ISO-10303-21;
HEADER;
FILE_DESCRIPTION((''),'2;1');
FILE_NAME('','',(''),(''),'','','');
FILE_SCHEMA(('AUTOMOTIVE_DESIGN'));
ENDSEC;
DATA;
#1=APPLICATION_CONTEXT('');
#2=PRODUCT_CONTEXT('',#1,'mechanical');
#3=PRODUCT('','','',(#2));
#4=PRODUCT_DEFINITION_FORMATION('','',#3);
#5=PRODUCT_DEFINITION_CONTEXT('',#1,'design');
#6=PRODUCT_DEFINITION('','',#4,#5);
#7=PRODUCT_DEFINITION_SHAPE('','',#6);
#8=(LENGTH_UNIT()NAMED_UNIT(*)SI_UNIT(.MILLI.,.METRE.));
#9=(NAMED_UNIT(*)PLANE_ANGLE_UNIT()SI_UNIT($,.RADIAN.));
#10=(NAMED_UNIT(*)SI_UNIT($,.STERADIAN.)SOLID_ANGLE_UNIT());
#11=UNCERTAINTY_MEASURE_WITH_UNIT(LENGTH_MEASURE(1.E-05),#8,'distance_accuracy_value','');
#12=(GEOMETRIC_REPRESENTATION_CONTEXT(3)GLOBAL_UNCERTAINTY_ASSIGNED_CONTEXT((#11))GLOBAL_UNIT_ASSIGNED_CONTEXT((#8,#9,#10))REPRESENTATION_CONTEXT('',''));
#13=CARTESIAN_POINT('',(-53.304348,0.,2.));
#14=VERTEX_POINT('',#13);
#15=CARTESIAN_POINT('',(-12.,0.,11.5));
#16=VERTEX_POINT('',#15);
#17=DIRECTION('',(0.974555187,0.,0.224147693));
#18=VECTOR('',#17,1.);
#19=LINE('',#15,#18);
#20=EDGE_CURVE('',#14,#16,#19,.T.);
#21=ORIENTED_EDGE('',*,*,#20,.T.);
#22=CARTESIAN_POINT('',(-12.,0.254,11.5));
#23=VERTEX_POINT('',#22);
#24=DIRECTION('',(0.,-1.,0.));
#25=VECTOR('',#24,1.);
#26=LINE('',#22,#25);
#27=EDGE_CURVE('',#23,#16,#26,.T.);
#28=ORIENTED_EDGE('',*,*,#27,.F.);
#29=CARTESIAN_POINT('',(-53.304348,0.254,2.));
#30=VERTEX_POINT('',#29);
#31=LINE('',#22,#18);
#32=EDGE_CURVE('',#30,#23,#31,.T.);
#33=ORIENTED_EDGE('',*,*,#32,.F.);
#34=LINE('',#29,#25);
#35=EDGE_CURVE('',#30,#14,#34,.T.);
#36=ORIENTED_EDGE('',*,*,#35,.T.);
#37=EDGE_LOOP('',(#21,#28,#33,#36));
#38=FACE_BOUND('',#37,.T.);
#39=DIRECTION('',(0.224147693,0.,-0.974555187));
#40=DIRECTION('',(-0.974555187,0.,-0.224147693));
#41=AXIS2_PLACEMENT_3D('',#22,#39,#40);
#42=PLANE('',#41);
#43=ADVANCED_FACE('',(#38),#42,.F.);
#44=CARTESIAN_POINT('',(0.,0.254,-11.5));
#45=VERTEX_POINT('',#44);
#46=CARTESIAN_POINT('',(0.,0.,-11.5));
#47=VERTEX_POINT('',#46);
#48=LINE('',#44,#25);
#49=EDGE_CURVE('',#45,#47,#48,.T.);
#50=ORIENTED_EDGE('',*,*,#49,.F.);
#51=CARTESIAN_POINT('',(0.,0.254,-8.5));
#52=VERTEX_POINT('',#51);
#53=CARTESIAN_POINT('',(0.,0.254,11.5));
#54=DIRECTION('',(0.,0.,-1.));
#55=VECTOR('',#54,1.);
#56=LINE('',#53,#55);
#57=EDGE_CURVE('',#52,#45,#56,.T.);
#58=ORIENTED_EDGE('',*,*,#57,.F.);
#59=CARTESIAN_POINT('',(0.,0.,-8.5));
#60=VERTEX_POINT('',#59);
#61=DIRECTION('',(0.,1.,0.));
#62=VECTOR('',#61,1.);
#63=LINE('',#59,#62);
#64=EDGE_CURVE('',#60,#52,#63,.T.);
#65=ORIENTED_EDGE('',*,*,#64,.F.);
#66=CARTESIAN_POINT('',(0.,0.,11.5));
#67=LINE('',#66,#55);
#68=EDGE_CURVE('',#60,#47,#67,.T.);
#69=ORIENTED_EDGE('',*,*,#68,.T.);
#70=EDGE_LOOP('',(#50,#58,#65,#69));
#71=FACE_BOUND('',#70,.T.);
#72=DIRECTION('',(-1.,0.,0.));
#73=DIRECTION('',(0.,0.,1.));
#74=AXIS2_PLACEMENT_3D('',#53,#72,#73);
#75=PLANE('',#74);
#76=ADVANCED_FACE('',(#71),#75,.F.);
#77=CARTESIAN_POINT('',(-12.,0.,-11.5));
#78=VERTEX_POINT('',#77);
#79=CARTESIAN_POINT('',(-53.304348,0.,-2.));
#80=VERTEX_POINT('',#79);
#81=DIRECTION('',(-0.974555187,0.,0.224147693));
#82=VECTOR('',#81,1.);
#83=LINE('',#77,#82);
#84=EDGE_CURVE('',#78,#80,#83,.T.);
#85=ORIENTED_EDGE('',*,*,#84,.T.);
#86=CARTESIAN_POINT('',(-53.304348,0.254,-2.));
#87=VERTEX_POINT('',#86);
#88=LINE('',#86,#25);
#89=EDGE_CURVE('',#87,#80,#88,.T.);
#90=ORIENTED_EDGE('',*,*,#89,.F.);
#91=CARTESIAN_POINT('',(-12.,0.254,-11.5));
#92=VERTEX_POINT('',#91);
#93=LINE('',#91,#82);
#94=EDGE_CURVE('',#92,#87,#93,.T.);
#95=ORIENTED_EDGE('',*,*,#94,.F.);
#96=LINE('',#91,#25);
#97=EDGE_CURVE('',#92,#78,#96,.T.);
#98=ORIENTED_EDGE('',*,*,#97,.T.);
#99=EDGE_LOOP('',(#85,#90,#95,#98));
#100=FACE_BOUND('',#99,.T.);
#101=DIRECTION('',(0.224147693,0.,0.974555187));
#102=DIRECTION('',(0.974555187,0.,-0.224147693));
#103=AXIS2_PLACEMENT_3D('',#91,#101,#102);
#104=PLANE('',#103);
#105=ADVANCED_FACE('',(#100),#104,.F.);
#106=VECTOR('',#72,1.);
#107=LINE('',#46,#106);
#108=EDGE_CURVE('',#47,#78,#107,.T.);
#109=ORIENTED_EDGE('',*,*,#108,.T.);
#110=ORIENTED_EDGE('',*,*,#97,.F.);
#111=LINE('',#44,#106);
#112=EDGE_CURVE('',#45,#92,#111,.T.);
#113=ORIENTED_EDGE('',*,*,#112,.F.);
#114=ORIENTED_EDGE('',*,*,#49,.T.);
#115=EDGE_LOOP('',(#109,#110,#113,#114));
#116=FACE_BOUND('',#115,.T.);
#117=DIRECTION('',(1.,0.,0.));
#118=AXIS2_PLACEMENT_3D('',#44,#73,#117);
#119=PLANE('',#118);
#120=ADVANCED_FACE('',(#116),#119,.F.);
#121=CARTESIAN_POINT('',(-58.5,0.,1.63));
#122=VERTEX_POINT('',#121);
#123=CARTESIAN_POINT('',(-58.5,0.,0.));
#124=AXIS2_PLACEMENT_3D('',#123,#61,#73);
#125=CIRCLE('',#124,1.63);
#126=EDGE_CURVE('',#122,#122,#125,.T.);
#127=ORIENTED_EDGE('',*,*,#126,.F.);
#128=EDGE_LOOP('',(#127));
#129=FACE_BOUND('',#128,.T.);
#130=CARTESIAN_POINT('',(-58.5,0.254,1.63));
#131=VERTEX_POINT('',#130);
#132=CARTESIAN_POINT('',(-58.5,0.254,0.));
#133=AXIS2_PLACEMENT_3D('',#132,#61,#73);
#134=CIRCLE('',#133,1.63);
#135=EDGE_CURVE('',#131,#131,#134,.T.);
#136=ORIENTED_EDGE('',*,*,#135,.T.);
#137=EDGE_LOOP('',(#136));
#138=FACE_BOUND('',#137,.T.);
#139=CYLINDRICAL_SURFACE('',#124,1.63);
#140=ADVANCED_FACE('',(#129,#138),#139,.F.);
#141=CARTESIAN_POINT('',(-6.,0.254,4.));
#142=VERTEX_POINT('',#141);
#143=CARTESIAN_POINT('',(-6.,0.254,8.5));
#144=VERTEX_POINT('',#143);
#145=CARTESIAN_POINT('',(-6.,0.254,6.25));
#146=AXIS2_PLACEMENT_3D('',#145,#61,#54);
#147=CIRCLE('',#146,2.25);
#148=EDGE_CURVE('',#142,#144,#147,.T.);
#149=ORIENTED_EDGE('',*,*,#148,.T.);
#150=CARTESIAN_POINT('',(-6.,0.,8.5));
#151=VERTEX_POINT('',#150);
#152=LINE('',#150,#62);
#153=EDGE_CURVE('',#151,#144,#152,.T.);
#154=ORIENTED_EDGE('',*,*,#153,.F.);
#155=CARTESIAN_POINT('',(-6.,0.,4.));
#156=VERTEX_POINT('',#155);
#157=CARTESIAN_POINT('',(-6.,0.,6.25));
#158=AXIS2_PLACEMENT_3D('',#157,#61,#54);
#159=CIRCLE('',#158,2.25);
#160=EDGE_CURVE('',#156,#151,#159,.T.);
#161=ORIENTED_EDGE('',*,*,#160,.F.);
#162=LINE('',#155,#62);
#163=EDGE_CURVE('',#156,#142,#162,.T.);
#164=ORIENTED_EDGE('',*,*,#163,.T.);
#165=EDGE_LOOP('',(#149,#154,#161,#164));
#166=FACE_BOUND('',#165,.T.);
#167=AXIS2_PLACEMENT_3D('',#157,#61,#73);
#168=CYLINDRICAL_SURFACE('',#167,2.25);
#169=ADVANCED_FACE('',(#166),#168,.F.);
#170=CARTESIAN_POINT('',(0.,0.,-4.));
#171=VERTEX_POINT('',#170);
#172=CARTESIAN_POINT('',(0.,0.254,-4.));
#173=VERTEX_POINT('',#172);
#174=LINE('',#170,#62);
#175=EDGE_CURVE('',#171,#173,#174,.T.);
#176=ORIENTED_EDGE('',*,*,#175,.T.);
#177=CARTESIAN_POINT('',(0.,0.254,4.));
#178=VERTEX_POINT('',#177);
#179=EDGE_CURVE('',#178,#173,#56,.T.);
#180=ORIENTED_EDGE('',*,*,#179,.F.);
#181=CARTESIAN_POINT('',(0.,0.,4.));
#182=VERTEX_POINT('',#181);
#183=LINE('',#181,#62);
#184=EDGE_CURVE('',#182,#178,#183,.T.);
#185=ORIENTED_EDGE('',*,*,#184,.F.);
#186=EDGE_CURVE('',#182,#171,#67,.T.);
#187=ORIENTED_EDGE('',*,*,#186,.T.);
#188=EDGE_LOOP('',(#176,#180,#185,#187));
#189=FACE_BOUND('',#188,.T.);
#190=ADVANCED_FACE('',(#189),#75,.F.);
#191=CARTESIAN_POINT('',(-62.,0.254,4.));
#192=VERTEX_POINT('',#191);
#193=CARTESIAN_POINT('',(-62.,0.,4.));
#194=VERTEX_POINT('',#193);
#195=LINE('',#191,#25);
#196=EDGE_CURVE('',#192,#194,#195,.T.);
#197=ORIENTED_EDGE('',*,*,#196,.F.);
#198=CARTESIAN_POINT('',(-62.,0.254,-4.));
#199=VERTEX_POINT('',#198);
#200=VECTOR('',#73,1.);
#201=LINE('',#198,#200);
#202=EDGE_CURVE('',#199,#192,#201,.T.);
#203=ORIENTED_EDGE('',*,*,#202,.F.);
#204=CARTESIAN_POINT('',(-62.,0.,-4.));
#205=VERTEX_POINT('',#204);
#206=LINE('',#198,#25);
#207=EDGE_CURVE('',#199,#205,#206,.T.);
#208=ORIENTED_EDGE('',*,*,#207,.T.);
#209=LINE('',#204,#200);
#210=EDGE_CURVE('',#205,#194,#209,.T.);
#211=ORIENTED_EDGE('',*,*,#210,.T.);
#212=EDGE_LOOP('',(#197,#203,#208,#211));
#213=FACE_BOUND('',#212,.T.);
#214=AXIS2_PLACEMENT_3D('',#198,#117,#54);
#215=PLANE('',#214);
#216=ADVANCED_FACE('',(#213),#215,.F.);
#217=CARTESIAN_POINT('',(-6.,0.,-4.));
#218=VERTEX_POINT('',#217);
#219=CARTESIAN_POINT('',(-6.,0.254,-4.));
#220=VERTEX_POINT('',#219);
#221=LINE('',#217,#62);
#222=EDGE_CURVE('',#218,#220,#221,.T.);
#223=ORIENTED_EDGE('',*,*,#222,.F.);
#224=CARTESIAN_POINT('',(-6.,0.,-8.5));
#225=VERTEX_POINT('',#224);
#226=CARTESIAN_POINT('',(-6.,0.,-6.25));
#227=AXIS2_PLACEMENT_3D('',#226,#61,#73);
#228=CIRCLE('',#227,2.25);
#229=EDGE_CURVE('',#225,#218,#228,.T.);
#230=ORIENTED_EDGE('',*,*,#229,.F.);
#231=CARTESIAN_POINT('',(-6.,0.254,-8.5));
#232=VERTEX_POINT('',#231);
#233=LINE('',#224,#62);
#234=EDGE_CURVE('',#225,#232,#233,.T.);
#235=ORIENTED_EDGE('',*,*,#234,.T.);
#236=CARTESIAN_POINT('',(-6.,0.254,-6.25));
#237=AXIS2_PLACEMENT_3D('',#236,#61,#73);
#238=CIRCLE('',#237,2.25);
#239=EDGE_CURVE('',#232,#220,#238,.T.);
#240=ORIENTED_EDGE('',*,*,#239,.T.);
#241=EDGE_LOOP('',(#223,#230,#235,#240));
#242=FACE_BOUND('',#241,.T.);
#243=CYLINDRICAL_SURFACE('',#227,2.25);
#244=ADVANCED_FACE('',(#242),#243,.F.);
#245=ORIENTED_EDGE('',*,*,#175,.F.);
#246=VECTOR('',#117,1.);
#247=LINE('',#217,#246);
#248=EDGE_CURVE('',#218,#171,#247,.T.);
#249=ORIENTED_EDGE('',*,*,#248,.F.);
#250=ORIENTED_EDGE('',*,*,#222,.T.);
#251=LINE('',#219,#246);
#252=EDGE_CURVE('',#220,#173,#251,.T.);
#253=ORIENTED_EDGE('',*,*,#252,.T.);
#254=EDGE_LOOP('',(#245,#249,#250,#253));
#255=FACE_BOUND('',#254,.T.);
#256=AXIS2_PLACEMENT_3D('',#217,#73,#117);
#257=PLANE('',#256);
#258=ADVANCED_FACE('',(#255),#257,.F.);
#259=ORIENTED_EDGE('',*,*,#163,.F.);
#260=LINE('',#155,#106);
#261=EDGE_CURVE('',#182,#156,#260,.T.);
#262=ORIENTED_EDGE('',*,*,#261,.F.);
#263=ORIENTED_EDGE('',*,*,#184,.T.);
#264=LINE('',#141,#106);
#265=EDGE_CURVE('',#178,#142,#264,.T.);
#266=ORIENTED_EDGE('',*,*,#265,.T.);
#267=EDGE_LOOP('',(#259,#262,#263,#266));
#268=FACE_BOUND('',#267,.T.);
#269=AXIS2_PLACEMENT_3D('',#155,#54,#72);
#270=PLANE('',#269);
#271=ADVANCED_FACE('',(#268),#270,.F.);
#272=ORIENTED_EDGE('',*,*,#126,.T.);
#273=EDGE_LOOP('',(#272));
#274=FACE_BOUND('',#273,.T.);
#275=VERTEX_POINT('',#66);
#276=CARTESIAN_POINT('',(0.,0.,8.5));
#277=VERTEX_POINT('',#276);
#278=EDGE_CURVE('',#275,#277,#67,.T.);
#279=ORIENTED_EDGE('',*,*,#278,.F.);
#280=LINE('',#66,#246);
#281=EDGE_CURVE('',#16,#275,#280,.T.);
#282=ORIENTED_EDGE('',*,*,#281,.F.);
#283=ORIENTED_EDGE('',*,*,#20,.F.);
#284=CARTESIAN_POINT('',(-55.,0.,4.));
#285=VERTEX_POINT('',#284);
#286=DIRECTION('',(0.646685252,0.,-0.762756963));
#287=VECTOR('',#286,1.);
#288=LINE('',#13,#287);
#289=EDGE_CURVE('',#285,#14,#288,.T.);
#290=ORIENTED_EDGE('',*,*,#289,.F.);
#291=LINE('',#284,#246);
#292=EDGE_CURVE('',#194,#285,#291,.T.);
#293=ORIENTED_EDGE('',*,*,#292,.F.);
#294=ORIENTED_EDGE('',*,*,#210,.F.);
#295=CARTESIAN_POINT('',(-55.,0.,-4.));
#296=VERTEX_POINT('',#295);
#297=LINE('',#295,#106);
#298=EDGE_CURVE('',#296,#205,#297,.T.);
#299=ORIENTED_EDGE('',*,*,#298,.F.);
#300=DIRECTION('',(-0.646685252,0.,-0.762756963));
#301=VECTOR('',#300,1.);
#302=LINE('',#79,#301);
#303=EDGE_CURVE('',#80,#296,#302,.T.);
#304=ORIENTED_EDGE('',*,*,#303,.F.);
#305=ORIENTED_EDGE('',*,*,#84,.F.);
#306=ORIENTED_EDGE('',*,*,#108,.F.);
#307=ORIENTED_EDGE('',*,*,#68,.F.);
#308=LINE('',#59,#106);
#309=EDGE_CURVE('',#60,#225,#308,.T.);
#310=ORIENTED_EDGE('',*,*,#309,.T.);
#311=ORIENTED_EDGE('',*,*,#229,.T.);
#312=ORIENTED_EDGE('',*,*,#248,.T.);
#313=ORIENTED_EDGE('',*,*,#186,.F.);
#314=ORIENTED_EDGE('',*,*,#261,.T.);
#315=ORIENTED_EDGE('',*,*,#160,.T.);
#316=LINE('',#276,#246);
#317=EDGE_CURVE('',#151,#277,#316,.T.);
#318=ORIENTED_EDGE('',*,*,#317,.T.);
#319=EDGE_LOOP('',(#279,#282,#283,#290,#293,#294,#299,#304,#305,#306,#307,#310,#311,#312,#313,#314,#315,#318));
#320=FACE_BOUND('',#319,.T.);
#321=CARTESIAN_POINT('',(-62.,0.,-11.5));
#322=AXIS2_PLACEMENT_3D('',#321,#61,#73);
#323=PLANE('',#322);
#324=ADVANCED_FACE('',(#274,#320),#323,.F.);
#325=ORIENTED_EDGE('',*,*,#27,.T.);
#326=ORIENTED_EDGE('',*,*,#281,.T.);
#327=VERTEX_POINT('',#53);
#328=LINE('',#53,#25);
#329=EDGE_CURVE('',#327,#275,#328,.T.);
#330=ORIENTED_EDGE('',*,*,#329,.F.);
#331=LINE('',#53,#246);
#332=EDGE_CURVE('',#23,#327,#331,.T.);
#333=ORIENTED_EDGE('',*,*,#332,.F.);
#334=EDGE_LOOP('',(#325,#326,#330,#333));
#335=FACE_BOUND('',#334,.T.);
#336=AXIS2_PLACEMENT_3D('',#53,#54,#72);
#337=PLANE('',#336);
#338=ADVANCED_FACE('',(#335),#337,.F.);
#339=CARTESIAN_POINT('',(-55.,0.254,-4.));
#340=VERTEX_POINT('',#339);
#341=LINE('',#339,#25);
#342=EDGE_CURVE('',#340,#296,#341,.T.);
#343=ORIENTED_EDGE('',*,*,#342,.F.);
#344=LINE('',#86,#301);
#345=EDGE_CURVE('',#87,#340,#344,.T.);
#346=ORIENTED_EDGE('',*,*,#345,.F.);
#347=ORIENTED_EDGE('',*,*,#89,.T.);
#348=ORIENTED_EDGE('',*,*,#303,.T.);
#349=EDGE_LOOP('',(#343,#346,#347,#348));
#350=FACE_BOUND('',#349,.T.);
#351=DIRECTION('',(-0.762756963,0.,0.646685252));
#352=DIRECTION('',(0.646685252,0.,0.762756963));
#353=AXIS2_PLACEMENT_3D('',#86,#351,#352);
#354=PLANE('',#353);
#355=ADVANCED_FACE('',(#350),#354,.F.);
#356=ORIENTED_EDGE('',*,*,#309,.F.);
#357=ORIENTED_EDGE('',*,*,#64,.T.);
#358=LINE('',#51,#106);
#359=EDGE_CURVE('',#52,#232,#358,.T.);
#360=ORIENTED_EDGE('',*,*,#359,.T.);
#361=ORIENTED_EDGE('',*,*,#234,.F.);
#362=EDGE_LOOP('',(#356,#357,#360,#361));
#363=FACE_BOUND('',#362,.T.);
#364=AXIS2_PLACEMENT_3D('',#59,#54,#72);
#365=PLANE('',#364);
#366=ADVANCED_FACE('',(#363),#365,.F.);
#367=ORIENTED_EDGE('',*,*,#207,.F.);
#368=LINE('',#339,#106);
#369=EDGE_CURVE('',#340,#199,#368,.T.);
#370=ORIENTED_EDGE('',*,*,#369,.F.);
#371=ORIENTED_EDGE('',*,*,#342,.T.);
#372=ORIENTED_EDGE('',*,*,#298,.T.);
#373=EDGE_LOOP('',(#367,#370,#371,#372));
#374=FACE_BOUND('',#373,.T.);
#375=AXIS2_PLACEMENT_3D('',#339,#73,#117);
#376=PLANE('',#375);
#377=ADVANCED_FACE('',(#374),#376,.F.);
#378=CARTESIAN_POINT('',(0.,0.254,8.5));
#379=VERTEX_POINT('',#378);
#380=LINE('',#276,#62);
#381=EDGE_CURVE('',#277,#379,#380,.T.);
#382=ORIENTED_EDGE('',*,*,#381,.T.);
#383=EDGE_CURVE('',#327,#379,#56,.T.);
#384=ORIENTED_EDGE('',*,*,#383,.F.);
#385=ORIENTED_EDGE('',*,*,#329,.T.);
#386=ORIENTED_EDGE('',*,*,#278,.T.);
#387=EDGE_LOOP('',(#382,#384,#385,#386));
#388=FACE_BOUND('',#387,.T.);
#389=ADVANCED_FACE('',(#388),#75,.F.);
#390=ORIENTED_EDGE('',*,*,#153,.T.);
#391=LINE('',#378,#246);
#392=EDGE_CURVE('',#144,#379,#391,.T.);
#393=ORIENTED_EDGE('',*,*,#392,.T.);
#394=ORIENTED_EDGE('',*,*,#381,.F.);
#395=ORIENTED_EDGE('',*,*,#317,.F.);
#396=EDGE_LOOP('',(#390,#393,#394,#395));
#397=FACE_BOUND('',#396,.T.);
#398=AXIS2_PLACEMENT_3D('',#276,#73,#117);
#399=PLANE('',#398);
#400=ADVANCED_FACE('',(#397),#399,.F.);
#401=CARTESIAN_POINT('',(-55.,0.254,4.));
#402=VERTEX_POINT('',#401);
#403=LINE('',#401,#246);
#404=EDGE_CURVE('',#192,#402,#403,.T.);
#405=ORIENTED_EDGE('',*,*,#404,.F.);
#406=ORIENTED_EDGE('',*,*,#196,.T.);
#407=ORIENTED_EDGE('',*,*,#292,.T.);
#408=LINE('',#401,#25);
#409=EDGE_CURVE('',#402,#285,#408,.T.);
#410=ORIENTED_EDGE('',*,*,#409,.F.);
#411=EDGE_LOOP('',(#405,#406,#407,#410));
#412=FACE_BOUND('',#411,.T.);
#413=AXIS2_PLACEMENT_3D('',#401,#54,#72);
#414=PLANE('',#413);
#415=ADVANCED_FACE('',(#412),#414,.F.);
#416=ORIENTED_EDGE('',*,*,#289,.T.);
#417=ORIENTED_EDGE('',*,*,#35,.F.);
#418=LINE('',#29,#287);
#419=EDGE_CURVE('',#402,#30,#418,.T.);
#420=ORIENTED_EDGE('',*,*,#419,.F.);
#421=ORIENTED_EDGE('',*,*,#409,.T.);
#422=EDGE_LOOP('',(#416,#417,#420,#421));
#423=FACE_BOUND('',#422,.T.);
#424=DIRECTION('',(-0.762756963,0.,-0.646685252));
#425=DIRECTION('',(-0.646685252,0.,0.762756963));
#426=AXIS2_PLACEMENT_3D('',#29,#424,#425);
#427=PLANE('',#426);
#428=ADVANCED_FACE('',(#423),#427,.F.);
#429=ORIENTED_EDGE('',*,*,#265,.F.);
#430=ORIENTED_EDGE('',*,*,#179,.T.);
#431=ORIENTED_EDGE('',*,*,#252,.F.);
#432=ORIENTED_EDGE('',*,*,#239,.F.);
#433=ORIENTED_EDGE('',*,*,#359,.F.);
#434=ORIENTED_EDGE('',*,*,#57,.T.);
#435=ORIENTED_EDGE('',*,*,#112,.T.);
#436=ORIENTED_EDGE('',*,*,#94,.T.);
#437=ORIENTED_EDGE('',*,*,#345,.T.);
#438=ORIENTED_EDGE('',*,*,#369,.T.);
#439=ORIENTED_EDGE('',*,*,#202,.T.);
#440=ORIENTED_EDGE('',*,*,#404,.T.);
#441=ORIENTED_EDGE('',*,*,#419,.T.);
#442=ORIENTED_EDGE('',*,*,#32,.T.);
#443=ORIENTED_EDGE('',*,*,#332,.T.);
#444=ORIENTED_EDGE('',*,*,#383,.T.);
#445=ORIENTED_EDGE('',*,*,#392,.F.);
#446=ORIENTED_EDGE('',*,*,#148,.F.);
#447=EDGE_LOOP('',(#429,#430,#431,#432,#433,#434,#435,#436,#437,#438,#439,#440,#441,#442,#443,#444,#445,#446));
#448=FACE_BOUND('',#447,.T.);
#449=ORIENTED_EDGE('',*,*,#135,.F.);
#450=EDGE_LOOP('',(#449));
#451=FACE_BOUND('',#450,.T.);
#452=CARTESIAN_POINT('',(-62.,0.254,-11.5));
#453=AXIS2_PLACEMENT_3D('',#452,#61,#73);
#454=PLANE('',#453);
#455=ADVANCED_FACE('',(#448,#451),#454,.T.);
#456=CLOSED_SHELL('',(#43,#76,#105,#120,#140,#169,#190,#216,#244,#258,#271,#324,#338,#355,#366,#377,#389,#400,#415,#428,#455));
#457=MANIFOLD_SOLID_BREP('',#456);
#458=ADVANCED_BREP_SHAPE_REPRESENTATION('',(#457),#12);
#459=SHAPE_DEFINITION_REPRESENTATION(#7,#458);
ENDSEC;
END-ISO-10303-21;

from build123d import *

# Parameters (mm, degrees)
EXTRUDE1_DEPTH = 0.254
EXTRUDE2_DEPTH = 1.254
SKETCH3_R      = 1.63
EXTRUDE3_DEPTH = 1.254


with BuildPart() as part:
    # Sketch1 → Extrude1 (new body)
    with BuildSketch(Plane(origin=(0, 0, 0), x_dir=(1, 0, 0), z_dir=(0, 1, 0))):
        Polygon((0, -11.5), (0, 11.5), (-12, 11.5), (-53.304347826, 2), (-55, 4), (-62, 4), (-62, -4), (-55, -4), (-53.304347826, -2), (-12, -11.5), align=None)
    extrude(amount=EXTRUDE1_DEPTH)

    # Sketch2 → Extrude2 (cut, through all)
    with BuildSketch(Plane(origin=(0, 0.254, 0), x_dir=(1, 0, 0), z_dir=(0, 1, 0))):
        with BuildLine():
            Line((-6, 4), (0, 4))
            Line((0, 4), (0, 8.5))
            Line((0, 8.5), (-6, 8.5))
            ThreePointArc((-6, 8.5), (-8.25, 6.25), (-6, 4))
        make_face()
        with BuildLine():
            Line((0, -8.5), (-6, -8.5))
            ThreePointArc((-6, -8.5), (-8.25, -6.25), (-6, -4))
            Line((-6, -4), (0, -4))
            Line((0, -4), (0, -8.5))
        make_face()
    extrude(amount=-EXTRUDE2_DEPTH, mode=Mode.SUBTRACT)

    # Sketch3 → Extrude3 (cut, through all)
    with BuildSketch(Plane(origin=(0, 0.254, 0), x_dir=(1, 0, 0), z_dir=(0, 1, 0))):
        with Locations(Location((-58.5, 0, 0), (0, 0, 270))):  # turned: the seam where the file's is
            Circle(SKETCH3_R)
    extrude(amount=-EXTRUDE3_DEPTH, mode=Mode.SUBTRACT)


solid = part.part
